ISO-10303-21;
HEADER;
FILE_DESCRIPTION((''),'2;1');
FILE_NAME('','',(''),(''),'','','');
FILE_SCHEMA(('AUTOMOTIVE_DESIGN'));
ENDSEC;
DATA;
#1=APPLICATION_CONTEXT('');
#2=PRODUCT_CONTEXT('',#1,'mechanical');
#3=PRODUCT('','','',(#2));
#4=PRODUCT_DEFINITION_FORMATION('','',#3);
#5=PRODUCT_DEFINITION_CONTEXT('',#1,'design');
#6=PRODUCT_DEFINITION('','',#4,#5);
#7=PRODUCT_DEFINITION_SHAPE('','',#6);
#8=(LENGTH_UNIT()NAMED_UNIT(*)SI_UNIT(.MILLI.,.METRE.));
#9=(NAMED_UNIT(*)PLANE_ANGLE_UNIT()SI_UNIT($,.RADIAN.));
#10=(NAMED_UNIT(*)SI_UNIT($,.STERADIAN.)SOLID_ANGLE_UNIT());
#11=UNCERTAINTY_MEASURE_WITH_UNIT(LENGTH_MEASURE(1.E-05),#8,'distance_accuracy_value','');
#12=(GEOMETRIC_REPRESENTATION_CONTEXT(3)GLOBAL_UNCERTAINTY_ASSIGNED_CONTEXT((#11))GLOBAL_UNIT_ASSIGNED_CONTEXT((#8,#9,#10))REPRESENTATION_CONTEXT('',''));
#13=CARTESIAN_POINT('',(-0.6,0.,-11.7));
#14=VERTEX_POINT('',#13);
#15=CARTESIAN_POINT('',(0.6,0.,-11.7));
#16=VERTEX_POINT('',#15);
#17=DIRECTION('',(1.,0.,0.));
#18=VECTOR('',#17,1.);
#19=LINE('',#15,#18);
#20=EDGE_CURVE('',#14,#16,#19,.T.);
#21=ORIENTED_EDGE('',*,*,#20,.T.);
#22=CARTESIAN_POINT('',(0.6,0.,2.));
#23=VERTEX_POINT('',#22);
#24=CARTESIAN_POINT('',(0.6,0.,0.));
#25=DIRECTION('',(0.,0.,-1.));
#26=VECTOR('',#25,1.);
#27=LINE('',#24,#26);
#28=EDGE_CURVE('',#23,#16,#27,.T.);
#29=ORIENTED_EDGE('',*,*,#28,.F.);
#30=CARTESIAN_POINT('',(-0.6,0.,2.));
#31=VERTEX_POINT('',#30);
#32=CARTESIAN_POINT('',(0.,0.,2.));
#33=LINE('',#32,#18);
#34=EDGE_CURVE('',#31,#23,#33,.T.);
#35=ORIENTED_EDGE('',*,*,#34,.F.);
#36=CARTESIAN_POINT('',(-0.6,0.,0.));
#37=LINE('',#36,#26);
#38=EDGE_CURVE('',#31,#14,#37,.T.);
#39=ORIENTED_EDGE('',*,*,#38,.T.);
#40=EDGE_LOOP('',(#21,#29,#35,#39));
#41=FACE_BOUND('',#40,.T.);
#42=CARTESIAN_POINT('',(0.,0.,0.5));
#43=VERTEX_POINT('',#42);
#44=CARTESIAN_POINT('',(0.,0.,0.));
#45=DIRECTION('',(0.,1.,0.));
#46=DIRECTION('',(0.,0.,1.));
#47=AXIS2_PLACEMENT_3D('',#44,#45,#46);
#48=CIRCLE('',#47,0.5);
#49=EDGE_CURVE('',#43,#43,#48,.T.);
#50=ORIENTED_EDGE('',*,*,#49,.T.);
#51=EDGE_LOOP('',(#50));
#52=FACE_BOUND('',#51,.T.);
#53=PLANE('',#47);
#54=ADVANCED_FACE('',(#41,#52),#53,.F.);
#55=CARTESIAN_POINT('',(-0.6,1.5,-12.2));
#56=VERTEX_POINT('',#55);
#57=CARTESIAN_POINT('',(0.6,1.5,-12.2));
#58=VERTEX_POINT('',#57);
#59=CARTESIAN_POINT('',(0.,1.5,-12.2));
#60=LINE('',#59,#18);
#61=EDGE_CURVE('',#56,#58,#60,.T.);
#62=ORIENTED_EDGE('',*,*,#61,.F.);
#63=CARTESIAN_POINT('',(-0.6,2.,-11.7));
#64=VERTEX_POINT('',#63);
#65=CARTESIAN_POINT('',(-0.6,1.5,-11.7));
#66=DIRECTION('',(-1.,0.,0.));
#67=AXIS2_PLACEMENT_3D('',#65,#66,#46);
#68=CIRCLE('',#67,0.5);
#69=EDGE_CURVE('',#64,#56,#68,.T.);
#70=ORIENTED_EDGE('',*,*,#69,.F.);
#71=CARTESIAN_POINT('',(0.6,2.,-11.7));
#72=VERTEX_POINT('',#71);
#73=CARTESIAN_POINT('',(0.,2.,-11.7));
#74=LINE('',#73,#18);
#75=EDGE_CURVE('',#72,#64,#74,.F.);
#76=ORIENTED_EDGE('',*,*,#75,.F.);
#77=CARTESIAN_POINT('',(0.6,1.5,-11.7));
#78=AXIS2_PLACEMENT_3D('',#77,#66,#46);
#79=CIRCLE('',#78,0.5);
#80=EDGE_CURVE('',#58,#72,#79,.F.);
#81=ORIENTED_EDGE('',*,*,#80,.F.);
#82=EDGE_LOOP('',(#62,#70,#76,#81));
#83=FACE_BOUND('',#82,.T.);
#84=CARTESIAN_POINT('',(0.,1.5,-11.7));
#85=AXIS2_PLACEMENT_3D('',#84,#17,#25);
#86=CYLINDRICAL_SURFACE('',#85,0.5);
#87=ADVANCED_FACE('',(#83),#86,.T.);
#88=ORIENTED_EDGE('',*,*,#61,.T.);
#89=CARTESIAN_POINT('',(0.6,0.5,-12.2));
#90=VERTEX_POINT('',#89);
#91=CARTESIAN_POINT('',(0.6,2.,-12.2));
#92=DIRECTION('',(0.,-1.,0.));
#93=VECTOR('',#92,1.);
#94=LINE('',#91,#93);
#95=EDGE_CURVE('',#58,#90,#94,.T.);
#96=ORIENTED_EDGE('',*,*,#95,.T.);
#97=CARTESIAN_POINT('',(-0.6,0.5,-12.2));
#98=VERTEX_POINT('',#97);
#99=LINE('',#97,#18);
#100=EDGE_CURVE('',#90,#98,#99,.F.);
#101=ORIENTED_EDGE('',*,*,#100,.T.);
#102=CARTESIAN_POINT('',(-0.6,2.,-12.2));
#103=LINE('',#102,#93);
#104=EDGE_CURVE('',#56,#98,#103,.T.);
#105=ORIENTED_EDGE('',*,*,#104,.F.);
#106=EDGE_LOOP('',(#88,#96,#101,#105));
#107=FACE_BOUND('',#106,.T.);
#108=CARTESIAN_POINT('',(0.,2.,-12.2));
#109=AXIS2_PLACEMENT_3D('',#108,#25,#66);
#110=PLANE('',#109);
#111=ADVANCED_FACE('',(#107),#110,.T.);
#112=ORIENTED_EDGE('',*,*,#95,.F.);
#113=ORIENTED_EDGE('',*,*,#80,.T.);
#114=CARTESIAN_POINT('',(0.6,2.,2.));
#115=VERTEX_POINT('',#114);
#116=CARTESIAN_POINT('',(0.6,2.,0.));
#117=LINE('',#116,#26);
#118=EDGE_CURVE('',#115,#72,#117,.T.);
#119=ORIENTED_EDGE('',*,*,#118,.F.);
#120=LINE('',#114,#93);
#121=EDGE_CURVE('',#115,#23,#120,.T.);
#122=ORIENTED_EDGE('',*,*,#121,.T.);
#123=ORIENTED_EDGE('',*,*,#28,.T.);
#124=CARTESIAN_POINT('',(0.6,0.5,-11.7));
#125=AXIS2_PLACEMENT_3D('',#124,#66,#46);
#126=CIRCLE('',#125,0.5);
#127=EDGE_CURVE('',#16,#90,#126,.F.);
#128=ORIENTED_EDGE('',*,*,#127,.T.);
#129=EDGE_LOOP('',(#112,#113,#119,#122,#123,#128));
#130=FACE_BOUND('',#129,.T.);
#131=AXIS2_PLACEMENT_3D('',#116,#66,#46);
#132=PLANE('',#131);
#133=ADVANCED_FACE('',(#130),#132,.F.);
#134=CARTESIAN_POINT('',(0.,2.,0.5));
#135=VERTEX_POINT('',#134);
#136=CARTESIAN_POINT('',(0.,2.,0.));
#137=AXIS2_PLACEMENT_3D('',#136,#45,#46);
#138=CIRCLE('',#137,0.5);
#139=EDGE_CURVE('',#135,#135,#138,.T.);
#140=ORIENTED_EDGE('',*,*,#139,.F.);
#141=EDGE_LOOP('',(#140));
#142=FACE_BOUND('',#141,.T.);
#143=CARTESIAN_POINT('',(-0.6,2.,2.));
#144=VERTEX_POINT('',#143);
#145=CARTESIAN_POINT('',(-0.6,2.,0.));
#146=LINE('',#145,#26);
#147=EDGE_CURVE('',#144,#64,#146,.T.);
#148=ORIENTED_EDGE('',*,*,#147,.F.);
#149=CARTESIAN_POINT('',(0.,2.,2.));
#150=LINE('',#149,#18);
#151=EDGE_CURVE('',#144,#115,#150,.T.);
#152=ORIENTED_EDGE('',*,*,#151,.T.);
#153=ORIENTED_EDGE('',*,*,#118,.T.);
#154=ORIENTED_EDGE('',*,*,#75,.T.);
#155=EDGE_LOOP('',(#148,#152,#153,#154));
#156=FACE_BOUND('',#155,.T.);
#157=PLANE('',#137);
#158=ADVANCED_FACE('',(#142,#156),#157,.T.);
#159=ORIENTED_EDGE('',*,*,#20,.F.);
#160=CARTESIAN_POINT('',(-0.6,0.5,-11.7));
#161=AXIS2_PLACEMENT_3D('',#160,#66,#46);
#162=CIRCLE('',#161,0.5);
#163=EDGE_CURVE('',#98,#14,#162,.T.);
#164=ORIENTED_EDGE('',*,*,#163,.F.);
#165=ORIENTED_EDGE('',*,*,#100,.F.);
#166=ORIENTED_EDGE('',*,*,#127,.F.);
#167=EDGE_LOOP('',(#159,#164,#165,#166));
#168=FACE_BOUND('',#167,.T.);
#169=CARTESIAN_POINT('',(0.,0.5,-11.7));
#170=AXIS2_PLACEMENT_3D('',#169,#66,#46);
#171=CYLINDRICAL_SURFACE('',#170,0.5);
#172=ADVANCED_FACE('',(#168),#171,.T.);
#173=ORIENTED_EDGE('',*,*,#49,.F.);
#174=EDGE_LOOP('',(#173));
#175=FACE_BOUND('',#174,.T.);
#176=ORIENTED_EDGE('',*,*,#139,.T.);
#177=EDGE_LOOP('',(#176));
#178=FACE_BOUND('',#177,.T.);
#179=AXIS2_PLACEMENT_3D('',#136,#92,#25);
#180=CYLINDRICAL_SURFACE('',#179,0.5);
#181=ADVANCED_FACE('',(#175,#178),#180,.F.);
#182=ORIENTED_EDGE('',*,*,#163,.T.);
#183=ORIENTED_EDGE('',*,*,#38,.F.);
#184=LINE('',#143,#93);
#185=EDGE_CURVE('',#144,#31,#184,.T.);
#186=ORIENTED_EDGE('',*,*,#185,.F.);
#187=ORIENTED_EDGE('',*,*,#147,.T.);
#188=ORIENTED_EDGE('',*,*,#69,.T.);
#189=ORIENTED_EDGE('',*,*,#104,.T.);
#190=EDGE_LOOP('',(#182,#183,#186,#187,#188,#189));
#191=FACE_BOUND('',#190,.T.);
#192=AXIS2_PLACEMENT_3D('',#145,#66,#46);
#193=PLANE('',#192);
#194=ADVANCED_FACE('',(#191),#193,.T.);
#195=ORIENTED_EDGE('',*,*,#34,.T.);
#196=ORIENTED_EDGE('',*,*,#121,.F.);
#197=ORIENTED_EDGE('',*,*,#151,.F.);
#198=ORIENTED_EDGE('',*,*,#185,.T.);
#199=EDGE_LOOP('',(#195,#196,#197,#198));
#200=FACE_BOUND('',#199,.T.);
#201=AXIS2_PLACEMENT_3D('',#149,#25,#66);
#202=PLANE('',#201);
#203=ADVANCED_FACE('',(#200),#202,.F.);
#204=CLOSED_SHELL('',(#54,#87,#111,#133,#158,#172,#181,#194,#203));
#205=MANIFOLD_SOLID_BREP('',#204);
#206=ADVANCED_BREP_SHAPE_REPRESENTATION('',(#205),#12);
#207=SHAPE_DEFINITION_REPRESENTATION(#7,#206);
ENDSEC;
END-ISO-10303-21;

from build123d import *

# Parameters (mm, degrees)
SKETCH_1_W      = 1.2
SKETCH_1_H      = 7.2
SKETCH_1_H_2    = 7
SKETCH_1_R      = 0.5
EXTRUDE_1_DEPTH = 2
FILLET_1_R      = 0.5


with BuildPart() as part:
    # 草图1 → 凸台-拉伸1 (new body)
    # profile 1 of 2: a face of its own
    with BuildSketch(Plane(origin=(0, 0, 0), x_dir=(1, 0, 0), z_dir=(0, 1, 0))):
        with Locations((0, 8.6)):
            Rectangle(SKETCH_1_W, SKETCH_1_H)
    # profile 2 of 2: a face of its own
    with BuildSketch(Plane(origin=(0, 0, 0), x_dir=(1, 0, 0), z_dir=(0, 1, 0))):
        with Locations((0, 1.5)):
            Rectangle(SKETCH_1_W, SKETCH_1_H_2)
        with Locations(Location((0, 0, 0), (0, 0, 270))):
            Circle(SKETCH_1_R, mode=Mode.SUBTRACT)
    extrude(amount=EXTRUDE_1_DEPTH)

    # 圆角1
    fillet_1_edges = [part.edges().sort_by_distance(p)[0] for p in [
        (0, 2, -12.2),
        (0, 0, -12.2),
    ]]
    fillet(fillet_1_edges, radius=FILLET_1_R)


solid = part.part
